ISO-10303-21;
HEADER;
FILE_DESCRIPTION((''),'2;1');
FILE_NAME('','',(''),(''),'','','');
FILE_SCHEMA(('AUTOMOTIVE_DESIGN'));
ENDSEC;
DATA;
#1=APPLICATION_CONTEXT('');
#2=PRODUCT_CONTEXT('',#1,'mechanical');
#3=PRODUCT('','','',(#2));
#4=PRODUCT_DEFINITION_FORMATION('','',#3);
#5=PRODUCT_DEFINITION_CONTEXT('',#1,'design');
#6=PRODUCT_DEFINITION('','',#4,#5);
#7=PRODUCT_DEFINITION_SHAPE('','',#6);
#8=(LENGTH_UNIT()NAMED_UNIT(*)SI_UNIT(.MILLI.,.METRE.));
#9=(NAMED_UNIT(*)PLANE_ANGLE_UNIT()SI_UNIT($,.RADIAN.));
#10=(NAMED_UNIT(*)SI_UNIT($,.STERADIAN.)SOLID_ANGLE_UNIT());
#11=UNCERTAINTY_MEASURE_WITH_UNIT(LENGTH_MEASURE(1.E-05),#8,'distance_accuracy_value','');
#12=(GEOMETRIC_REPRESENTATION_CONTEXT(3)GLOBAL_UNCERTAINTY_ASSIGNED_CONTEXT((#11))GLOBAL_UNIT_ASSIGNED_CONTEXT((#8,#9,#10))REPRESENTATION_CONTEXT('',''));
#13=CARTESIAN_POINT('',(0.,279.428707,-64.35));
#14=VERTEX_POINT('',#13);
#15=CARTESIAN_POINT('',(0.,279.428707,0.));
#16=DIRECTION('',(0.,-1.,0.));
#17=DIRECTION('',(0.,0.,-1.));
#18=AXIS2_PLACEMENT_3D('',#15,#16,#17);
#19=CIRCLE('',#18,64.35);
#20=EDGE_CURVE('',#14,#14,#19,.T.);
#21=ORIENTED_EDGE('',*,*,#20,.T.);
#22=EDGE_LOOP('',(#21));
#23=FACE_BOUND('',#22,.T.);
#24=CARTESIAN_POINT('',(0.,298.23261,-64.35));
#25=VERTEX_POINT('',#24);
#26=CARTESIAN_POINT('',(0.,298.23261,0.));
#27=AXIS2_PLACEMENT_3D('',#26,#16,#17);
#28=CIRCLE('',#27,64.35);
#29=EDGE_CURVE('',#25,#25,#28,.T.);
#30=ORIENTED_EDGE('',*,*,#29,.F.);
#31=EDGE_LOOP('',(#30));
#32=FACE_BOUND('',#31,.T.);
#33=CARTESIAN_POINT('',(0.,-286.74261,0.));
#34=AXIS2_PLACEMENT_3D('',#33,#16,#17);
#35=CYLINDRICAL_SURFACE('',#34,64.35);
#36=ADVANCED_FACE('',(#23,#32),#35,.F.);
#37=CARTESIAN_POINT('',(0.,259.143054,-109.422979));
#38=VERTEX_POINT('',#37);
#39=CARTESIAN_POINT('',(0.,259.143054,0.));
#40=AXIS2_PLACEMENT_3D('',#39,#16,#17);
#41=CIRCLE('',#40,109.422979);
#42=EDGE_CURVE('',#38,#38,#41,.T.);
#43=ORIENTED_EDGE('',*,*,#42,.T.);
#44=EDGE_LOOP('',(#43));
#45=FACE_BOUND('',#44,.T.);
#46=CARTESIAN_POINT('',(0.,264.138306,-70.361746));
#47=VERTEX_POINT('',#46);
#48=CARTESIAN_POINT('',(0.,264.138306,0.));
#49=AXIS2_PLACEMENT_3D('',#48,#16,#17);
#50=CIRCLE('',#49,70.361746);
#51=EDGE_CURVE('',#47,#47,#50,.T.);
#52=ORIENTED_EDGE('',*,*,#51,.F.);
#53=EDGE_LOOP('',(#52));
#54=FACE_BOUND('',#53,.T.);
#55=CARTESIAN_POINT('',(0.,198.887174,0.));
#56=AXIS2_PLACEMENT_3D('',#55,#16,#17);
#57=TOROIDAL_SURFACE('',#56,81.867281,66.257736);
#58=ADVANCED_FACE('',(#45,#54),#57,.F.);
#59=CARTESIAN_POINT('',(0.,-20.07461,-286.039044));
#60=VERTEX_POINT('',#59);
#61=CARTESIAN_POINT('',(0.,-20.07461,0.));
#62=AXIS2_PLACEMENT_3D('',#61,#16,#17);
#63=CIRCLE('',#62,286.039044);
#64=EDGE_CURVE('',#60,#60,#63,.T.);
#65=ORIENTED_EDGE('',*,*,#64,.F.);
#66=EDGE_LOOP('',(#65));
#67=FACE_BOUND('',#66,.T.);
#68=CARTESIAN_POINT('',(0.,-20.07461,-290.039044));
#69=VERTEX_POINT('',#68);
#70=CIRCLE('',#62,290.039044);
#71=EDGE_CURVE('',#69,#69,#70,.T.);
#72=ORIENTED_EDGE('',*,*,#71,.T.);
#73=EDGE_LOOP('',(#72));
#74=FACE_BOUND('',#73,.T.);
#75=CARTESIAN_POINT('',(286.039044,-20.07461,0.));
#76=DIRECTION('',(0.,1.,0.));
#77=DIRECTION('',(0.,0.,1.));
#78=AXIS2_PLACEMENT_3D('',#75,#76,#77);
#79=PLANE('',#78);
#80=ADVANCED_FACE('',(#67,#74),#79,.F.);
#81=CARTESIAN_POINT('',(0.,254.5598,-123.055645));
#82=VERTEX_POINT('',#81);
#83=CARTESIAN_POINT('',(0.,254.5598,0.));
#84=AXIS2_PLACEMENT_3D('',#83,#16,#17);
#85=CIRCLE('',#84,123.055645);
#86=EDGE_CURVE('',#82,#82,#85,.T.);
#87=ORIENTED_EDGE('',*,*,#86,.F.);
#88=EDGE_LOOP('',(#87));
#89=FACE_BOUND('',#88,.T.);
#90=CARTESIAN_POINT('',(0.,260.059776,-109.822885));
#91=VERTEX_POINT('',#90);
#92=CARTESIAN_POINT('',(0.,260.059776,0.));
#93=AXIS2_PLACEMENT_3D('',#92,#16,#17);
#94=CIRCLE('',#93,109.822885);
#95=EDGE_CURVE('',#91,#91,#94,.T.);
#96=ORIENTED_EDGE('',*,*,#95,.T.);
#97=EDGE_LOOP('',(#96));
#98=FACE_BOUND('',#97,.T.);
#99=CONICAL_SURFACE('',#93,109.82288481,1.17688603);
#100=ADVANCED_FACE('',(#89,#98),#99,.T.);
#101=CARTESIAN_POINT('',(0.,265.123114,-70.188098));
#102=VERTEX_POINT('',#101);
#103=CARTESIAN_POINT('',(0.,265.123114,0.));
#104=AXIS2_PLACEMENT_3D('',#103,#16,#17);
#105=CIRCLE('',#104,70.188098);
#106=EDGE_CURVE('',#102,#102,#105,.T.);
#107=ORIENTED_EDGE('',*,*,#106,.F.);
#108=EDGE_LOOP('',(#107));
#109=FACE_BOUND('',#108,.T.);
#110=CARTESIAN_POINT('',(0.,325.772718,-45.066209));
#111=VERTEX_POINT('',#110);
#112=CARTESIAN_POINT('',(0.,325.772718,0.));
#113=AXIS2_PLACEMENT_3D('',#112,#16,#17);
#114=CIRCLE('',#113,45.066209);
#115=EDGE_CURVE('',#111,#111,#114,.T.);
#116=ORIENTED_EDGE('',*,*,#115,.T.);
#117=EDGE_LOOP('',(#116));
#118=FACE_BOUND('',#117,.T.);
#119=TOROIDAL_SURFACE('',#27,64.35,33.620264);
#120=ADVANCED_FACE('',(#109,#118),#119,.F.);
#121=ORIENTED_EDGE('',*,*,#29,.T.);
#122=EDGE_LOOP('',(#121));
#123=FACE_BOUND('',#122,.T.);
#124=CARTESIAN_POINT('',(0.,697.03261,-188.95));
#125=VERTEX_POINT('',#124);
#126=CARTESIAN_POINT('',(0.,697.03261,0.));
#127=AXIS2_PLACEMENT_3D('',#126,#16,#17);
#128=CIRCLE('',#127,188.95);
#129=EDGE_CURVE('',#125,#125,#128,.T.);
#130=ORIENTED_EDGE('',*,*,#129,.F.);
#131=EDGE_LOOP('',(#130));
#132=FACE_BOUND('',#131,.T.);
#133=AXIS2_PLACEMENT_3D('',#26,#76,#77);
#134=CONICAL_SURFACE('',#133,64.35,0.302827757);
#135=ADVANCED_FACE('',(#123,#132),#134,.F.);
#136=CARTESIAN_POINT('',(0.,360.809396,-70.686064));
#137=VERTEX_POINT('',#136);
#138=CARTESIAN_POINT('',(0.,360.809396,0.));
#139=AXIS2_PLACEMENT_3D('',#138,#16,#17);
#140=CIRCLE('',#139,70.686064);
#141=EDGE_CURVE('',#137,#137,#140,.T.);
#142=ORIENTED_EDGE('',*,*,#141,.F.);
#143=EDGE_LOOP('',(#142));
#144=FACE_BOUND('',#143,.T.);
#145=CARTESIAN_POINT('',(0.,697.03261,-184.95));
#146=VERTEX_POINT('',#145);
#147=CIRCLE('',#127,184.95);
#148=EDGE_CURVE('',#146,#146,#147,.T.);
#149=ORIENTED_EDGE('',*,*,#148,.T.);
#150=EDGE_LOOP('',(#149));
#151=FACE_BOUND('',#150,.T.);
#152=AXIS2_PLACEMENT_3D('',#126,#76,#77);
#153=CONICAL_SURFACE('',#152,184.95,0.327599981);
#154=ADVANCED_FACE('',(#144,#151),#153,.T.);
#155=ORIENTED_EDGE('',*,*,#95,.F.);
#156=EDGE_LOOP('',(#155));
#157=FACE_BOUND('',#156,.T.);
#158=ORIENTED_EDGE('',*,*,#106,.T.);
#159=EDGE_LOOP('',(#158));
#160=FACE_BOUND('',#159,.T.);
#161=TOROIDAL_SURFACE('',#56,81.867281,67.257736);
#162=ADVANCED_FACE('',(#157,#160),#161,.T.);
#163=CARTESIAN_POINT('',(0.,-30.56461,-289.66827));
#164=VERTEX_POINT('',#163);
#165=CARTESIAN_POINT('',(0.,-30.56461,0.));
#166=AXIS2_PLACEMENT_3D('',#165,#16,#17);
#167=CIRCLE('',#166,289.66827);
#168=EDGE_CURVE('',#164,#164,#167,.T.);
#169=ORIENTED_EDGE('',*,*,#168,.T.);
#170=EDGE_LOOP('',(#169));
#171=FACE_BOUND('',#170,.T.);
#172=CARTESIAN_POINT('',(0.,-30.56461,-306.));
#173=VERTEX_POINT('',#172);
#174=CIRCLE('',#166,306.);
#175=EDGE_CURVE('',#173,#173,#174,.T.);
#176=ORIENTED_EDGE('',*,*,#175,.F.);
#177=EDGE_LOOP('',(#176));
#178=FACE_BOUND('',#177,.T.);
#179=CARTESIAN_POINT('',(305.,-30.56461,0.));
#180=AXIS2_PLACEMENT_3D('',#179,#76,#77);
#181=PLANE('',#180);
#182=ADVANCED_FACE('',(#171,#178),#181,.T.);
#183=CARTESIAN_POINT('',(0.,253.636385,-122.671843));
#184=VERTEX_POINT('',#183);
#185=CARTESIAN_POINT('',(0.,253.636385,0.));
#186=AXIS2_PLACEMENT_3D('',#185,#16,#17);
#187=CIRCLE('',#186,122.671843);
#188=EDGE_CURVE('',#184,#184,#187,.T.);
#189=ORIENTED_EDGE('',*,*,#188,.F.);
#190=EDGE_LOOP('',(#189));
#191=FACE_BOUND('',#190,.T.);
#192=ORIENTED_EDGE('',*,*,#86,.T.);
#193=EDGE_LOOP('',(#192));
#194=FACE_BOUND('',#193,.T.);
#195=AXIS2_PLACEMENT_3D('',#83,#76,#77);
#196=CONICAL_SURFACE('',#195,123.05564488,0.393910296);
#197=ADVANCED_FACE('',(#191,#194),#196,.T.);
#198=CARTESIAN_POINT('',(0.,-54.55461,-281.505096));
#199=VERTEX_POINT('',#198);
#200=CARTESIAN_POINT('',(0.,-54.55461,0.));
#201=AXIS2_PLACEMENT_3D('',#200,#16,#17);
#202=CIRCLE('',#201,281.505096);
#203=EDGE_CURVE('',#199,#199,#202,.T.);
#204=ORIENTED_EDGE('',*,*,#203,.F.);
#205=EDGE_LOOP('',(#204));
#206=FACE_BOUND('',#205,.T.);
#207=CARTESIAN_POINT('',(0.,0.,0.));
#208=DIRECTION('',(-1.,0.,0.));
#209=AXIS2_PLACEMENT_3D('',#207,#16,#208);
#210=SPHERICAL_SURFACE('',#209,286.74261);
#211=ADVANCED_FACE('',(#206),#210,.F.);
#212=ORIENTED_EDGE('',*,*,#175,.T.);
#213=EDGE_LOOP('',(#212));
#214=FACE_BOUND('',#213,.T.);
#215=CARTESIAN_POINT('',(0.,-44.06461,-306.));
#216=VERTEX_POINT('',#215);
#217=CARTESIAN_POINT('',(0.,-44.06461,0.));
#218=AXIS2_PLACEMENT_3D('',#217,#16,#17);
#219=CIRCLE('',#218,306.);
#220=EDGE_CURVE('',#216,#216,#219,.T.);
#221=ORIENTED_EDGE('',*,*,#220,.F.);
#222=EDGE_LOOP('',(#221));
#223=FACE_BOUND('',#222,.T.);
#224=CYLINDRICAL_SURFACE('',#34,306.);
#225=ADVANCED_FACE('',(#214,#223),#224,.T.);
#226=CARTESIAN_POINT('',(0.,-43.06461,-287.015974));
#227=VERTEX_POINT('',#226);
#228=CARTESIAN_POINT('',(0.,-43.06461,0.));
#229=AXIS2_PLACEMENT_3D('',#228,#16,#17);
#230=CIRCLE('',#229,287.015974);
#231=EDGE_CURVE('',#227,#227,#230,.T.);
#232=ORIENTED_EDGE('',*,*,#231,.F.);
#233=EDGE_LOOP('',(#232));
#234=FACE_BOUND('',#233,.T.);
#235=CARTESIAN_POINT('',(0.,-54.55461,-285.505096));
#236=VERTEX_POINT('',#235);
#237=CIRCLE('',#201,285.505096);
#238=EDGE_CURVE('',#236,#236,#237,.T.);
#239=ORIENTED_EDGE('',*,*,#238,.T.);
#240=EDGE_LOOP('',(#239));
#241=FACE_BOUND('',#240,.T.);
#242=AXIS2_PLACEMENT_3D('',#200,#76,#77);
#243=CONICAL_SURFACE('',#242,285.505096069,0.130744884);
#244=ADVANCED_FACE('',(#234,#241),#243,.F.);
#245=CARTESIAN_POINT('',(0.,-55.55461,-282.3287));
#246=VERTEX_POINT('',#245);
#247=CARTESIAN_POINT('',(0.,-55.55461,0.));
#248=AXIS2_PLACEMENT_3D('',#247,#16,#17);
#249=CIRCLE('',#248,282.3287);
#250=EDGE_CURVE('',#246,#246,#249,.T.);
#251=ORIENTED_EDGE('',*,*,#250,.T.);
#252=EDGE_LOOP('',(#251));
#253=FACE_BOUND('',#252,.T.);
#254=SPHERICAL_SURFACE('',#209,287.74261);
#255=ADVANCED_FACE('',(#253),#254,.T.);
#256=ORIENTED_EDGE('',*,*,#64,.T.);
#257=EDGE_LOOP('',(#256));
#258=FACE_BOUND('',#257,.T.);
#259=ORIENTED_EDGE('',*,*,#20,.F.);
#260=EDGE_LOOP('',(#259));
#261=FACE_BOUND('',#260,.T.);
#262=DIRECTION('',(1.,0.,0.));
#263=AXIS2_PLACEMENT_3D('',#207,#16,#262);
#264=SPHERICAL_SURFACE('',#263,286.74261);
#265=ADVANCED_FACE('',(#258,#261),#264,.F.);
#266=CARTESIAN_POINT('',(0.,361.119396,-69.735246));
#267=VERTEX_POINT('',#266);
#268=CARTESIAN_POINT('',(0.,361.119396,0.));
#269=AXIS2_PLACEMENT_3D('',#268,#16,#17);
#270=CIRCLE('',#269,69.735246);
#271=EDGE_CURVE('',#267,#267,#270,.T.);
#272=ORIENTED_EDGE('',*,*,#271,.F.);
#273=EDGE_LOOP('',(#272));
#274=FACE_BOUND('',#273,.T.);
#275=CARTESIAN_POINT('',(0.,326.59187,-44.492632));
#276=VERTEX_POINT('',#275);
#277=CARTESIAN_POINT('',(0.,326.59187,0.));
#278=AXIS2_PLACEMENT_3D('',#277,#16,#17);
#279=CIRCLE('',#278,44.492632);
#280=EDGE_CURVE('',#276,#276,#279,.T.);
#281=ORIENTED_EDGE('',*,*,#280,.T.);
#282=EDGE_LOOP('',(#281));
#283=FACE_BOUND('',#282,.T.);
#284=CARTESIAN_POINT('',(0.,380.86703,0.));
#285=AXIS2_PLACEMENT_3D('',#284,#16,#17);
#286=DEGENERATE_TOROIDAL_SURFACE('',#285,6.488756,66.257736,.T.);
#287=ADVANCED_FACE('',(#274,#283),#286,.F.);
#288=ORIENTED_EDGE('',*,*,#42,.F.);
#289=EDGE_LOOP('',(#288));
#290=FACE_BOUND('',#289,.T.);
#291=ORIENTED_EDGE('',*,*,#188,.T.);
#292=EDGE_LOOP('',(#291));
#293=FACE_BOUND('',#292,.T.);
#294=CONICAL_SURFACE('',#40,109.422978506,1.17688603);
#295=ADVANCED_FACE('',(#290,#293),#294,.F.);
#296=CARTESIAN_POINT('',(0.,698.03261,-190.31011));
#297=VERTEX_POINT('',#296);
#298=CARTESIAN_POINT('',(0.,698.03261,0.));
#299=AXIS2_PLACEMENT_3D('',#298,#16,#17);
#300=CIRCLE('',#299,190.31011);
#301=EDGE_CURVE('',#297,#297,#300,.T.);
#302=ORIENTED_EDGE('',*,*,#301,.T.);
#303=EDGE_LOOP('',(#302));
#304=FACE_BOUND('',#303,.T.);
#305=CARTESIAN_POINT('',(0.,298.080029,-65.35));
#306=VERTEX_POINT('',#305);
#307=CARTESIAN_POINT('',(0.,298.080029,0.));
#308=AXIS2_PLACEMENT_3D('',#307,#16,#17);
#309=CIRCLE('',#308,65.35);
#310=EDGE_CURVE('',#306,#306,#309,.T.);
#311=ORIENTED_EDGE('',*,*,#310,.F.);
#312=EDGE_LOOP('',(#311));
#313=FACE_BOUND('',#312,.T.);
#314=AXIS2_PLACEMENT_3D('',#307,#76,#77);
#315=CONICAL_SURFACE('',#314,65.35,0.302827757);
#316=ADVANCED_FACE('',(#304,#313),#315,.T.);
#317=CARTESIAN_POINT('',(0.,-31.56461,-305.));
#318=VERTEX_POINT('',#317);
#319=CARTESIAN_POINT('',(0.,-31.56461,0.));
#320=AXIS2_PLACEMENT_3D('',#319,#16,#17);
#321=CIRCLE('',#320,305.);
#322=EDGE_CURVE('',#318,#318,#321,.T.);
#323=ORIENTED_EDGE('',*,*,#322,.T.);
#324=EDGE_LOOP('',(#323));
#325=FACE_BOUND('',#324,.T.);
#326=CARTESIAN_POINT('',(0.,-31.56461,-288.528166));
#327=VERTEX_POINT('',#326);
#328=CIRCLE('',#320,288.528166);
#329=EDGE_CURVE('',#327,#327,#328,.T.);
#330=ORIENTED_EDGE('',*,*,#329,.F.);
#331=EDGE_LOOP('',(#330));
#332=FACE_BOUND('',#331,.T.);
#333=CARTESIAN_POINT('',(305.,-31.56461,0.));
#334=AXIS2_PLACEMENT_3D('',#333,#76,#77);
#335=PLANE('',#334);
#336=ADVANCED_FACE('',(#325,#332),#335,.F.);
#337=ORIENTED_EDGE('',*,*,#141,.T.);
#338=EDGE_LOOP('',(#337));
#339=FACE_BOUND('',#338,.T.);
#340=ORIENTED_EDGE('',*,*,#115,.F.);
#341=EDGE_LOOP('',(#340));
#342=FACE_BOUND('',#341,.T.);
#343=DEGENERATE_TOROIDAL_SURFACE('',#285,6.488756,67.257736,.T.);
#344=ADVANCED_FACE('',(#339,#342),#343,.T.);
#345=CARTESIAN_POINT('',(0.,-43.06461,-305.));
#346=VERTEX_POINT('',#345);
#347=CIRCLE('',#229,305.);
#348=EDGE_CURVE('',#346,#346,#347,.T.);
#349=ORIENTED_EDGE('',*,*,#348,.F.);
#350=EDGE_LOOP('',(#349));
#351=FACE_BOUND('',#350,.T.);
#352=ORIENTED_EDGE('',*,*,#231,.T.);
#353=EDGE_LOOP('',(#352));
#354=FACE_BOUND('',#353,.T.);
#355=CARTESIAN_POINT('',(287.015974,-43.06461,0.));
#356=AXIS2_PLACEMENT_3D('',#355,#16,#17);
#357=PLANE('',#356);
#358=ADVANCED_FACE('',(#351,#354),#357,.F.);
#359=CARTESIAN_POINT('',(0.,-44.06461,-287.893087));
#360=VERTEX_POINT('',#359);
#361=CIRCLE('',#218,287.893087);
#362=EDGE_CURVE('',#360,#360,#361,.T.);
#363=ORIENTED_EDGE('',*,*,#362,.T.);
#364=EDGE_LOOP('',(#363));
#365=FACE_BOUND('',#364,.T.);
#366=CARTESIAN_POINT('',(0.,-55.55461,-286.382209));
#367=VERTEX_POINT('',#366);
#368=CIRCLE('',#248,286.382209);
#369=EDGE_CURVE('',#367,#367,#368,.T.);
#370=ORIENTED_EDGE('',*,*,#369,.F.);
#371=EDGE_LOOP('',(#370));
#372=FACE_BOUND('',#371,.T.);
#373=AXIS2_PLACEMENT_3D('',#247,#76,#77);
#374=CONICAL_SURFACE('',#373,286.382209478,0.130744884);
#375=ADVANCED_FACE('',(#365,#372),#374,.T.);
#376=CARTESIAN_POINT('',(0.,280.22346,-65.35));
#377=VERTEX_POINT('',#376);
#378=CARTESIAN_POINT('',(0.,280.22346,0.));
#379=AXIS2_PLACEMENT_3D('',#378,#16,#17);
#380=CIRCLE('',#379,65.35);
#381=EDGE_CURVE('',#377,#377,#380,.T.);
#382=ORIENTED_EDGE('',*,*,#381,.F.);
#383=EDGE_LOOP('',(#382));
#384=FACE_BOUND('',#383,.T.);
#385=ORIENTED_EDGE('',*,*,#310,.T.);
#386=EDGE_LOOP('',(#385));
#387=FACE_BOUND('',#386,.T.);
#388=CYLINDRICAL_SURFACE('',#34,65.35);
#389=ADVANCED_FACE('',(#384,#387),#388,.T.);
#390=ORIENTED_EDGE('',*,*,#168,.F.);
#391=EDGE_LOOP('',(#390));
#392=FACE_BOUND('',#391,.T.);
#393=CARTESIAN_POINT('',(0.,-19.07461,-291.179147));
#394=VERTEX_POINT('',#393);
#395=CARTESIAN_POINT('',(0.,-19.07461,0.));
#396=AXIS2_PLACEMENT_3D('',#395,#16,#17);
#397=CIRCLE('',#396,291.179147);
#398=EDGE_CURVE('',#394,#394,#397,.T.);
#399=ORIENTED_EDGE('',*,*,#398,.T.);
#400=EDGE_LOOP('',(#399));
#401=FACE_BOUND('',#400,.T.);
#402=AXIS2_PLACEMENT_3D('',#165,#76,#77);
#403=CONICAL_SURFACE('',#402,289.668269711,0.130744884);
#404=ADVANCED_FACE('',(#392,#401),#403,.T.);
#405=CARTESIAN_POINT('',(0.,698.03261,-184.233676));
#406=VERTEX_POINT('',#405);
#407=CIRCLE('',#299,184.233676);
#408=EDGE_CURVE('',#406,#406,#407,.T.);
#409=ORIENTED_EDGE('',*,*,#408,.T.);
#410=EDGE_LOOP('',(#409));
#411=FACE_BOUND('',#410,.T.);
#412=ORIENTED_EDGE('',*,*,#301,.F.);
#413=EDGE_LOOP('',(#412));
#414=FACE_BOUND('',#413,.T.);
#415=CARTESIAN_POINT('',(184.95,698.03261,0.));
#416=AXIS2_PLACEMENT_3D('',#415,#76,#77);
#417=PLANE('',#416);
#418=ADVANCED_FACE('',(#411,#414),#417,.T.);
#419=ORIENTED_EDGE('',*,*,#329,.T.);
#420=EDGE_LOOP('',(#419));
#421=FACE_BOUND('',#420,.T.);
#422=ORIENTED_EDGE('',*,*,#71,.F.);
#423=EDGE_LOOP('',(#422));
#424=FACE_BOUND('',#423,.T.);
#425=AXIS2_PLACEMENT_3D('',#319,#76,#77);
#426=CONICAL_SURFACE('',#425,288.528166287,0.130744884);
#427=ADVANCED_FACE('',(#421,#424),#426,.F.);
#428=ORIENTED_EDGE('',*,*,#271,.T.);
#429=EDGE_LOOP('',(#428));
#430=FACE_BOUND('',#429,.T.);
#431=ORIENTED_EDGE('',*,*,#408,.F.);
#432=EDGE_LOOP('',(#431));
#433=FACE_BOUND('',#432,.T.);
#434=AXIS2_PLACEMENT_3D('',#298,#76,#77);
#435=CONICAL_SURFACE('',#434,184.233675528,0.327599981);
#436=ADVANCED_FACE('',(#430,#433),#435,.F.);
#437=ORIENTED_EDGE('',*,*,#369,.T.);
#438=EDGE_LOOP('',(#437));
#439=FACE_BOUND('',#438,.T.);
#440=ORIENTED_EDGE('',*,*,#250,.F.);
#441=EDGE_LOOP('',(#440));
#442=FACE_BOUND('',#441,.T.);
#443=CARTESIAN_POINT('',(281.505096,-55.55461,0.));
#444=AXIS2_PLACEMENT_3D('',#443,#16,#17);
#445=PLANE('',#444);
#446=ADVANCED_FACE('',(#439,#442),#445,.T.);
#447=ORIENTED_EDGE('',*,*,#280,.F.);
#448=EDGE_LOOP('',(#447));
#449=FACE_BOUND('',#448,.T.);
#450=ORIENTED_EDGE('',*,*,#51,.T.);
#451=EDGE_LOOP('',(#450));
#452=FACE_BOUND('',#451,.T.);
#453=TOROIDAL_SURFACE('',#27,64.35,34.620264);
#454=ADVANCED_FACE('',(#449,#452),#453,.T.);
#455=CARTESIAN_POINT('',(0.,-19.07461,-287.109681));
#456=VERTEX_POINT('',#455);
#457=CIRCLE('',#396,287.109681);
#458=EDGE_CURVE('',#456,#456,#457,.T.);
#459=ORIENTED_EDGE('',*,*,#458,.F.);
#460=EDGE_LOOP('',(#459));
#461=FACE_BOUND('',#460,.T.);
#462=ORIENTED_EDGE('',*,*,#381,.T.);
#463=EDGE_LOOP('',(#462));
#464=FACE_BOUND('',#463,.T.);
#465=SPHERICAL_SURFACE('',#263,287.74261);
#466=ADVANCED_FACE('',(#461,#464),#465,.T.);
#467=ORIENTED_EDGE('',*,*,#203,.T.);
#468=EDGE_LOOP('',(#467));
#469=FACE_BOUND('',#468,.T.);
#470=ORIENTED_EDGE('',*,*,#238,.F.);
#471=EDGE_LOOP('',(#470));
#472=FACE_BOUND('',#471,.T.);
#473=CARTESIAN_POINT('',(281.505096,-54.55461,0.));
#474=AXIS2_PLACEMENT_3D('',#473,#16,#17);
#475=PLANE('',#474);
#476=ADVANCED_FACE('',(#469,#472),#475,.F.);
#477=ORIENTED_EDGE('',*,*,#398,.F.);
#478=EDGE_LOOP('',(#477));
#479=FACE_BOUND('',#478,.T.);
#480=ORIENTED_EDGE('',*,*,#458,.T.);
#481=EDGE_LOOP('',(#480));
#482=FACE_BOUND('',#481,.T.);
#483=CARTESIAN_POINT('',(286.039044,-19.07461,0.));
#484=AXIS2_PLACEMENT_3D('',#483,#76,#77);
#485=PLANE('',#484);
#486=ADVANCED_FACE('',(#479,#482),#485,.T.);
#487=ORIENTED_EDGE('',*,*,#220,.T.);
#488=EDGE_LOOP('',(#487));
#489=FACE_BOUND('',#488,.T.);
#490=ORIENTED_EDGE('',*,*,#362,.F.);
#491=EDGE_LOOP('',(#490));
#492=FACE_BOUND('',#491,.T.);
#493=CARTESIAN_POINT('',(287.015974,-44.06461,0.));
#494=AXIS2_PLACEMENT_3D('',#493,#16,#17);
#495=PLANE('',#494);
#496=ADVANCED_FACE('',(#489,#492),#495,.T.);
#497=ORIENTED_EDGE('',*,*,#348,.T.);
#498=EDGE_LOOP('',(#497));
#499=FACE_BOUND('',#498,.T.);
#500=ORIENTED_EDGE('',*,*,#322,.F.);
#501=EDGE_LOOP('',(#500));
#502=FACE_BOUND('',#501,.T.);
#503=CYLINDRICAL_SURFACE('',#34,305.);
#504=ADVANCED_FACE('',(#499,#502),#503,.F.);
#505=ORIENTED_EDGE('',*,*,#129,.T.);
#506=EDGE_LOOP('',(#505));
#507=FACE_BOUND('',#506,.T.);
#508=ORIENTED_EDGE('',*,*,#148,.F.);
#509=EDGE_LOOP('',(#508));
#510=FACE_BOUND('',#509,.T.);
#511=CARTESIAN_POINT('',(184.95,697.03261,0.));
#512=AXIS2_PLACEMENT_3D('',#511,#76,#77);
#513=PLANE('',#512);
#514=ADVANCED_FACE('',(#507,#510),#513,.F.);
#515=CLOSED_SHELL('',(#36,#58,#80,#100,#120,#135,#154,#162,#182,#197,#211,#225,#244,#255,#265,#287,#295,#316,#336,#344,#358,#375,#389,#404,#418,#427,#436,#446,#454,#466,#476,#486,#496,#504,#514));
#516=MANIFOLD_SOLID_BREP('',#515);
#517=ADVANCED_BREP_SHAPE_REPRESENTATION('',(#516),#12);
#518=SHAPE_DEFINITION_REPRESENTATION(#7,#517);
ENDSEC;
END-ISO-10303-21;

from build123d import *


with BuildPart() as part:
    # Sketch1 → Revolve-Thin2 (revolve)
    with BuildSketch(Plane.XY):
        with BuildLine():
            ThreePointArc((0, -286.742610421), (182.45299837, -221.206301937), (281.505096069, -54.554610421))
            Line((281.505096069, -54.554610421), (285.505096069, -54.554610421))
            Line((285.505096069, -54.554610421), (287.015973703, -43.064610421))
            Line((287.015973703, -43.064610421), (305, -43.064610421))
            Line((305, -43.064610421), (305, -31.564610421))
            Line((305, -31.564610421), (288.528166287, -31.564610421))
            Line((288.528166287, -31.564610421), (290.039043921, -20.074610421))
            Line((290.039043921, -20.074610421), (286.039043921, -20.074610421))
            ThreePointArc((286.039043921, -20.074610421), (230.474900515, 170.594973149), (64.35, 279.428706705))
            Line((64.35, 279.428706705), (64.35, 298.232610421))
            Line((64.35, 298.232610421), (188.95, 697.032610421))
            Line((188.95, 697.032610421), (184.95, 697.032610421))
            Line((184.95, 697.032610421), (70.68606436, 360.809395967))
            ThreePointArc((70.68606436, 360.809395967), (60.780146491, 341.167559177), (45.066208841, 325.772718327))
            ThreePointArc((45.066208841, 325.772718327), (33.288926302, 285.366692434), (70.188097559, 265.123113871))
            ThreePointArc((70.188097559, 265.123113871), (90.390180269, 265.602713712), (109.82288481, 260.05977622))
            Line((109.82288481, 260.05977622), (123.05564488, 254.559800461))
            Line((123.05564488, 254.559800461), (122.671842713, 253.636385118))
            Line((122.671842713, 253.636385118), (109.422978506, 259.143054292))
            ThreePointArc((109.422978506, 259.143054292), (90.27204525, 264.609677885), (70.361745737, 264.138306118))
            ThreePointArc((70.361745737, 264.138306118), (32.36504677, 284.984009001), (44.492632405, 326.591870371))
            ThreePointArc((44.492632405, 326.591870371), (59.976574204, 341.762798813), (69.735246401, 361.119395632))
            Line((69.735246401, 361.119395632), (184.233675528, 698.032610421))
            Line((184.233675528, 698.032610421), (190.310109529, 698.032610421))
            Line((190.310109529, 698.032610421), (65.35, 298.080028719))
            Line((65.35, 298.080028719), (65.35, 280.223459674))
            ThreePointArc((65.35, 280.223459674), (231.19643255, 171.30096155), (287.109681288, -19.074610421))
            Line((287.109681288, -19.074610421), (291.179147345, -19.074610421))
            Line((291.179147345, -19.074610421), (289.668269711, -30.564610421))
            Line((289.668269711, -30.564610421), (306, -30.564610421))
            Line((306, -30.564610421), (306, -44.064610421))
            Line((306, -44.064610421), (287.893087112, -44.064610421))
            Line((287.893087112, -44.064610421), (286.382209478, -55.554610421))
            Line((286.382209478, -55.554610421), (282.328700477, -55.554610421))
            ThreePointArc((282.328700477, -55.554610421), (182.770869162, -222.240003684), (0, -287.742610421))
            Line((0, -287.742610421), (0, -286.742610421))
        make_face()
    revolve(axis=Axis((0, -286.742610421, 0), (0, 1, 0)))


solid = part.part
